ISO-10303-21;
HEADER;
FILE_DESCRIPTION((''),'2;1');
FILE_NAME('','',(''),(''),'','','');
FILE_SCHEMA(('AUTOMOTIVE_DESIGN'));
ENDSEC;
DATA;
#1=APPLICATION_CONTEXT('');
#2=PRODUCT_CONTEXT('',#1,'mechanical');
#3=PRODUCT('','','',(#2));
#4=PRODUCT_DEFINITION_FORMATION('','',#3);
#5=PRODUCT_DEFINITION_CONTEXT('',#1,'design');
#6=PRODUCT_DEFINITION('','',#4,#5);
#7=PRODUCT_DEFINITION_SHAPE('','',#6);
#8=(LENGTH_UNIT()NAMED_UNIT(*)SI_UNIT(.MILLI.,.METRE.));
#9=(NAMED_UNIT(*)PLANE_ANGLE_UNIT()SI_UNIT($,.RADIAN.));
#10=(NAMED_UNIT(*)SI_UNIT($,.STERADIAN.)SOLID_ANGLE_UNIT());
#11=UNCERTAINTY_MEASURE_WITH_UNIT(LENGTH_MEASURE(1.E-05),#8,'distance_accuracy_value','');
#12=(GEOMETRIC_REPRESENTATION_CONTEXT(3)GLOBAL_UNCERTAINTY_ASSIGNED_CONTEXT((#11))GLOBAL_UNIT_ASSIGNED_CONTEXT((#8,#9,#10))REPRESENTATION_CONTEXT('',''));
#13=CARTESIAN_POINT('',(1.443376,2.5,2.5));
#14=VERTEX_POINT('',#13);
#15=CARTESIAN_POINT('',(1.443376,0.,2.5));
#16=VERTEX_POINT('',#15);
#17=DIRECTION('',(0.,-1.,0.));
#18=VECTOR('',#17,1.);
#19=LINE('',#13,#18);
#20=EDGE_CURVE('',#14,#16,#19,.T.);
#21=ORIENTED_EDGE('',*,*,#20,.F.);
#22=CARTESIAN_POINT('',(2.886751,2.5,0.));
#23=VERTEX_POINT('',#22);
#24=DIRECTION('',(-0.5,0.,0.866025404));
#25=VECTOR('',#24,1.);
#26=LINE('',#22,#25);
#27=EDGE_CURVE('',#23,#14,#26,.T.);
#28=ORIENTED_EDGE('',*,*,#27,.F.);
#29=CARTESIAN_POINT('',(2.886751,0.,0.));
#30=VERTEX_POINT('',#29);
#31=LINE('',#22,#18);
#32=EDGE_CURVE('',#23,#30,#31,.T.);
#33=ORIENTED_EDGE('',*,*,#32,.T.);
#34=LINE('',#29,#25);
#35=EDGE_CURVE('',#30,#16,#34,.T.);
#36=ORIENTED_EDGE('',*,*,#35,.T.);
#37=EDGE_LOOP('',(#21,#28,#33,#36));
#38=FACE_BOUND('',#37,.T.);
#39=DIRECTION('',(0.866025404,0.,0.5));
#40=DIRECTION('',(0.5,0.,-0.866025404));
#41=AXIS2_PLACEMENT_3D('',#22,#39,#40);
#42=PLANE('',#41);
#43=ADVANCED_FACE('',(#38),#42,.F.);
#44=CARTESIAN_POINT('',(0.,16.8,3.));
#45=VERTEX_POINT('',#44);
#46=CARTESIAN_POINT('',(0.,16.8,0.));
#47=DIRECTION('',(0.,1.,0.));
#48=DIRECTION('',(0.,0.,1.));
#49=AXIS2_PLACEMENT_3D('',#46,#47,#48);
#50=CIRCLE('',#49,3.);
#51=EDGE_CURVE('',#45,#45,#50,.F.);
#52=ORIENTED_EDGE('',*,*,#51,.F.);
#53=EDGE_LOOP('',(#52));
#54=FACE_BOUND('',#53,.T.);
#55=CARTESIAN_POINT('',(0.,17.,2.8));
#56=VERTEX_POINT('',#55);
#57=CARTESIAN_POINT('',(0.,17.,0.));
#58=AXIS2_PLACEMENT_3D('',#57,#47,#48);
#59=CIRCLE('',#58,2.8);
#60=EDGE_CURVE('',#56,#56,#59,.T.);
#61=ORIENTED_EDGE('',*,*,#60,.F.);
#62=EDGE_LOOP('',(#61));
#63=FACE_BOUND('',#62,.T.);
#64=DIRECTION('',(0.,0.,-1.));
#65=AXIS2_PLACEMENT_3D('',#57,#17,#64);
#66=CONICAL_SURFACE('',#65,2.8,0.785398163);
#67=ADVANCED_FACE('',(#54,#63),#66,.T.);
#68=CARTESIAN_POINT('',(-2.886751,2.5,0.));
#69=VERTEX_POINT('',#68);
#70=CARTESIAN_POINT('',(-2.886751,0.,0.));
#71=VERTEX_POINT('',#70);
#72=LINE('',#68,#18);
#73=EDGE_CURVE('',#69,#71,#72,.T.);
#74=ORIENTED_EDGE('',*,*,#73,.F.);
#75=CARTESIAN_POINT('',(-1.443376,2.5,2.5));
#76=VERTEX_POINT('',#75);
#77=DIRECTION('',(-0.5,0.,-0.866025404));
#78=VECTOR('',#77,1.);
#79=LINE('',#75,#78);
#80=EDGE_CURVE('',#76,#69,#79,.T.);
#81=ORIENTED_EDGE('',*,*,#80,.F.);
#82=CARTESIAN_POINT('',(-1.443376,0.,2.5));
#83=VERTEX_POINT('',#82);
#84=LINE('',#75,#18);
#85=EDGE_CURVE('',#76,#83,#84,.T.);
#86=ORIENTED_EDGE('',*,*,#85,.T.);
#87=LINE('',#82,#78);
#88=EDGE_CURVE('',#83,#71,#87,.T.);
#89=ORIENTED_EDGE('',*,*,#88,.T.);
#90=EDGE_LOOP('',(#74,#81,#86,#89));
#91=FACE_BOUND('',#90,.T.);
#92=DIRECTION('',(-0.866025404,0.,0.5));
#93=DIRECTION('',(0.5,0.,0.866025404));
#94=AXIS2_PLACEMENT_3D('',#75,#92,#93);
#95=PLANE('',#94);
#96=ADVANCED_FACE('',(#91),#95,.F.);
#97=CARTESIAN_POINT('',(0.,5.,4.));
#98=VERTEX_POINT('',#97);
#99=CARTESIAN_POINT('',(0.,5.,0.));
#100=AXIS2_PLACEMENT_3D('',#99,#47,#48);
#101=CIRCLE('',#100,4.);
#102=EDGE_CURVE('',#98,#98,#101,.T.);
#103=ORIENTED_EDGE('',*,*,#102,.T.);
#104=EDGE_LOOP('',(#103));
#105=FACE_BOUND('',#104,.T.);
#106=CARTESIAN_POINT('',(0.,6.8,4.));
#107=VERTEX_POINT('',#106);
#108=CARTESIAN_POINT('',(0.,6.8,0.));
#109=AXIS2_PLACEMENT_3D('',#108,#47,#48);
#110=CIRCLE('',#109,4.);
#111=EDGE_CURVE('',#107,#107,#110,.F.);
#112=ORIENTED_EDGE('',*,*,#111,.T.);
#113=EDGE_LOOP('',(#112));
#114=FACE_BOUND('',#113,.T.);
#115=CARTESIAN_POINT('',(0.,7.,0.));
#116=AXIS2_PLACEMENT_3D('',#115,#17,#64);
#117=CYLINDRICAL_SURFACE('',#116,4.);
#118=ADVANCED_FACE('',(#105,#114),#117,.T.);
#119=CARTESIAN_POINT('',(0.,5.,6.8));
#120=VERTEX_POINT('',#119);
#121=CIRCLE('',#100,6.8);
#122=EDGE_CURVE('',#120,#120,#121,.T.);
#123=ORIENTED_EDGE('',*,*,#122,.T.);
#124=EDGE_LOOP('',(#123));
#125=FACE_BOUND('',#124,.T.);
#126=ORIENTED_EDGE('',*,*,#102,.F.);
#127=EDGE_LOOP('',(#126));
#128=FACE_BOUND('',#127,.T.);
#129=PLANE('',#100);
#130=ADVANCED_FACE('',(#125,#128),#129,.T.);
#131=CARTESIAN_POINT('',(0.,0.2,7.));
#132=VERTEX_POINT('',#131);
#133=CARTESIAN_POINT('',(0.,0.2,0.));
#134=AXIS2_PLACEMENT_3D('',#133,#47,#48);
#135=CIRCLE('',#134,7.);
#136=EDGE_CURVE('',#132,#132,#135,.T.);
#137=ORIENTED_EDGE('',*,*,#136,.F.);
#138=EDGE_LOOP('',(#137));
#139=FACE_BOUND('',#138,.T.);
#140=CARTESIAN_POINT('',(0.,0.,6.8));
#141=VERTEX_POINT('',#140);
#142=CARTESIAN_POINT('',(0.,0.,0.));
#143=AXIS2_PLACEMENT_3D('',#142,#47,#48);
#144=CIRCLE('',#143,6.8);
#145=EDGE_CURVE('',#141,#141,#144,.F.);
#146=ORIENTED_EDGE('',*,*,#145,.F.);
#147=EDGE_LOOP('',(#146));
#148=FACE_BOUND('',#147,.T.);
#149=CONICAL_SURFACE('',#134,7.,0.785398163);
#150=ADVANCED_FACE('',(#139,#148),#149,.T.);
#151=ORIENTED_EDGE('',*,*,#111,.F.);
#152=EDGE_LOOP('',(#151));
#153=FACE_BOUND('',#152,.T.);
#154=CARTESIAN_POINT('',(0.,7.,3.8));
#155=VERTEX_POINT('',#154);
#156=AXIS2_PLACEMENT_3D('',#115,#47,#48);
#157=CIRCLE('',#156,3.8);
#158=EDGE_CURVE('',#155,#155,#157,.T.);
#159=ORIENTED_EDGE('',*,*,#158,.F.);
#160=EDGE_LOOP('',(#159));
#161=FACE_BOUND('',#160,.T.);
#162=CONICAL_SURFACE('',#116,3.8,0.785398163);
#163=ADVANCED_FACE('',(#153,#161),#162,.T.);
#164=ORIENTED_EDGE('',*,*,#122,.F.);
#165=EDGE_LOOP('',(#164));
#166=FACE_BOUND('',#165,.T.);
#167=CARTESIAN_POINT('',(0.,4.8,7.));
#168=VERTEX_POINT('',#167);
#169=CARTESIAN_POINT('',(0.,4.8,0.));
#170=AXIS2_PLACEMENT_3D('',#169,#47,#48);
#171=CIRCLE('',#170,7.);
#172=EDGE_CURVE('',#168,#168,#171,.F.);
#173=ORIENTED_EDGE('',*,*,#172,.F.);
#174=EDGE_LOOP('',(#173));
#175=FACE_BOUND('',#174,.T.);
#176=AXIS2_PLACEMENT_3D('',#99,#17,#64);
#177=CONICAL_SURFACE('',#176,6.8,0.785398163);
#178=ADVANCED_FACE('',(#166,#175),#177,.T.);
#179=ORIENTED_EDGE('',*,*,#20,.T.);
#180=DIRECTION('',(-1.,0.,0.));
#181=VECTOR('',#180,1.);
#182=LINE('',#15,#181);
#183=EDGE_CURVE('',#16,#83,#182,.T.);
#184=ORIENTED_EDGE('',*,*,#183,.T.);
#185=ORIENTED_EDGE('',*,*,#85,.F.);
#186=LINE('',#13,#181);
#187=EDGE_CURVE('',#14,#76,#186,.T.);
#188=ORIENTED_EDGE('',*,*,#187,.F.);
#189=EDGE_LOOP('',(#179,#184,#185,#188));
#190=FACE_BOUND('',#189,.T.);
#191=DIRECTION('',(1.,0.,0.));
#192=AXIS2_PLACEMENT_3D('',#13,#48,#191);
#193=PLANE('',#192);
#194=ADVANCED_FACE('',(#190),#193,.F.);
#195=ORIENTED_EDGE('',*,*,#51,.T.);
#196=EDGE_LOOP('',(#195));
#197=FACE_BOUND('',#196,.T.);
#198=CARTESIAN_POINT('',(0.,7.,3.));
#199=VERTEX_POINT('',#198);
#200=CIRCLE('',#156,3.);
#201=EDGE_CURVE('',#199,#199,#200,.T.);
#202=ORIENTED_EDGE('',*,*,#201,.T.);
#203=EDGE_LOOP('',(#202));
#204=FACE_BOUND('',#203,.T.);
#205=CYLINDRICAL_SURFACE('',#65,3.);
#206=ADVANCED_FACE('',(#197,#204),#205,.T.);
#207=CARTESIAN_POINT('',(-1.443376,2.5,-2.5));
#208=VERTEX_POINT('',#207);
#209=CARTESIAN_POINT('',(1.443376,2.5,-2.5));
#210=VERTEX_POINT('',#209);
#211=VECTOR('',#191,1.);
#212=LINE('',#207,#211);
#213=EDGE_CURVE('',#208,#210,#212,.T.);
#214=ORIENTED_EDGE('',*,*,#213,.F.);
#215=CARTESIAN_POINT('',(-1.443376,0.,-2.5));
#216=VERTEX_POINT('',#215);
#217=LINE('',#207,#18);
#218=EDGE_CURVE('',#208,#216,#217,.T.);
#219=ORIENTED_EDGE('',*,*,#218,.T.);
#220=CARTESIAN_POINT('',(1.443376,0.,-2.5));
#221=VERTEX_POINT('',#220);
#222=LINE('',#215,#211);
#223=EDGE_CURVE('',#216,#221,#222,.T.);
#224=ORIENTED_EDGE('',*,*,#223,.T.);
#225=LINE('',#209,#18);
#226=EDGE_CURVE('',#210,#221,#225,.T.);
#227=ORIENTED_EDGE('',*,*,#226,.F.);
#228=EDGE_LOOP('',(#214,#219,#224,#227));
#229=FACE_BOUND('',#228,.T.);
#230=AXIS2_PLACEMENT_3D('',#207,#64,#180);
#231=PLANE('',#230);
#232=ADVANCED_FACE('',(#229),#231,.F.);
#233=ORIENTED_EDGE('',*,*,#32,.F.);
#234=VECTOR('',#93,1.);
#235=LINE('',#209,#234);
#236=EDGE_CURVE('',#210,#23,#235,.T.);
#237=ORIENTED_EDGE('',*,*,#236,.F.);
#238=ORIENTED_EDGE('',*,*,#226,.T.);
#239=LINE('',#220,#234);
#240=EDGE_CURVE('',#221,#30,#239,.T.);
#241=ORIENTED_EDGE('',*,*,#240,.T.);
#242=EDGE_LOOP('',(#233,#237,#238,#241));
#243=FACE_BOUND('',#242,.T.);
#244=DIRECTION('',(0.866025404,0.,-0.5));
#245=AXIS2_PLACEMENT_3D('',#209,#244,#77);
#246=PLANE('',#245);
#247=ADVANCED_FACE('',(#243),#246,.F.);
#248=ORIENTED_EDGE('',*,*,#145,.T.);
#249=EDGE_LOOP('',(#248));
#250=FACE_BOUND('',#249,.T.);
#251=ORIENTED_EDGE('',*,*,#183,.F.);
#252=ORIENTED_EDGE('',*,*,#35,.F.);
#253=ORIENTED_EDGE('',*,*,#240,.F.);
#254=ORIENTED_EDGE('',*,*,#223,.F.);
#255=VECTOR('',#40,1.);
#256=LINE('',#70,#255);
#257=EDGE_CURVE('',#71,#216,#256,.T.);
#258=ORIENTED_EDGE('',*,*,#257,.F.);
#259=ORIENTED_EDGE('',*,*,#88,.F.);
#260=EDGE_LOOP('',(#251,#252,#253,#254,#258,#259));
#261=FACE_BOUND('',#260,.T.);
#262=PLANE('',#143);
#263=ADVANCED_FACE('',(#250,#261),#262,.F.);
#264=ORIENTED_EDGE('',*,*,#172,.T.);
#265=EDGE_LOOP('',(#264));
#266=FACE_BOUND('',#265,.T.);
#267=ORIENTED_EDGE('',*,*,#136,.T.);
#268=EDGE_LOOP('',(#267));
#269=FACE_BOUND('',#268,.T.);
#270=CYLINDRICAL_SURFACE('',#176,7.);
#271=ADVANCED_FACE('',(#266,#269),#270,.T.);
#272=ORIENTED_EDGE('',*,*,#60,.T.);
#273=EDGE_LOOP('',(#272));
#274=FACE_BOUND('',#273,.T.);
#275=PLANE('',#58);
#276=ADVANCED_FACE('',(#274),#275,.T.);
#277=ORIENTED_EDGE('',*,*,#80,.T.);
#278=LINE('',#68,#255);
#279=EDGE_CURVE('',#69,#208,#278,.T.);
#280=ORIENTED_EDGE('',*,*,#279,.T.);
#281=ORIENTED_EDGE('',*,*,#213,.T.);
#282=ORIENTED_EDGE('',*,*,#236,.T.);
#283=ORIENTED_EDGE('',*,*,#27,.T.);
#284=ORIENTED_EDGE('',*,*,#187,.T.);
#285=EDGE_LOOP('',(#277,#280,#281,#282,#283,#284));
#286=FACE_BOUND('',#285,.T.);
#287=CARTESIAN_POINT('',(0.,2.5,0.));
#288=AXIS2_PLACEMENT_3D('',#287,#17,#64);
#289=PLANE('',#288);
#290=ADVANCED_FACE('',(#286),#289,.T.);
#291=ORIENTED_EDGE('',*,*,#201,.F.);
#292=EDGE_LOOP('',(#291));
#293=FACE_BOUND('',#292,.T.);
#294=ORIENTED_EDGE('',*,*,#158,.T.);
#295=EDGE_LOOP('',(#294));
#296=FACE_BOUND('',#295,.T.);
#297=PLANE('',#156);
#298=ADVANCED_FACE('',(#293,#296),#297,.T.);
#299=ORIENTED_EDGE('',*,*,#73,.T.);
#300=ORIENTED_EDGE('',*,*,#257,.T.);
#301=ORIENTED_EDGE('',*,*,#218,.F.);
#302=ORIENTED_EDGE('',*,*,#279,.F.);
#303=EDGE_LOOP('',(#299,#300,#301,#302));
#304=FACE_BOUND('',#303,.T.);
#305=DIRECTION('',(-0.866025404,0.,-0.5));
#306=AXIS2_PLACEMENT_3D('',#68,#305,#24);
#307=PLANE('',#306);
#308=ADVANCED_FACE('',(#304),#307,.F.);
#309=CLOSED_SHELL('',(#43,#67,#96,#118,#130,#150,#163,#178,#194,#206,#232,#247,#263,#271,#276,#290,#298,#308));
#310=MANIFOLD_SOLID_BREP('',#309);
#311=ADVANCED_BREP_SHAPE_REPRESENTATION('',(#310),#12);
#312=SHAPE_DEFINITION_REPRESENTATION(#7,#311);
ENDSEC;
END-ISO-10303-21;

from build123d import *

# Parameters (mm, degrees)
SKETCH_1_R          = 7
EXTRUDE_1_DEPTH     = 5
SKETCH_2_R          = 4
EXTRUDE_2_DEPTH     = 2
SKETCH_3_R          = 3
EXTRUDE_3_DEPTH     = 10
CHAMFER_1_SIZE      = 0.2
CUT_EXTRUDE_1_DEPTH = 2.5


with BuildPart() as part:
    # 草图1 → 凸台-拉伸1 (new body)
    with BuildSketch(Plane(origin=(0, 0, 0), x_dir=(1, 0, 0), z_dir=(0, 1, 0))):
        with Locations(Location((0, 0, 0), (0, 0, 270))):
            Circle(SKETCH_1_R)
    extrude(amount=EXTRUDE_1_DEPTH)

    # 草图2 → 凸台-拉伸2 (add)
    with BuildSketch(Plane(origin=(0, 5, 0), x_dir=(1, 0, 0), z_dir=(0, 1, 0))):
        with Locations(Location((0, 0, 0), (0, 0, 270))):
            Circle(SKETCH_2_R)
    extrude(amount=EXTRUDE_2_DEPTH)

    # 草图3 → 凸台-拉伸3 (add)
    with BuildSketch(Plane(origin=(0, 7, 0), x_dir=(1, 0, 0), z_dir=(0, 1, 0))):
        with Locations(Location((0, 0, 0), (0, 0, 270))):
            Circle(SKETCH_3_R)
    extrude(amount=EXTRUDE_3_DEPTH)

    # 倒角1
    chamfer_1_edges = [part.edges().sort_by_distance(p)[0] for p in [
        (0, 17, -3),
        (0, 0, -7),
        (0, 5, -7),
        (0, 7, -4),
    ]]
    chamfer(chamfer_1_edges, length=CHAMFER_1_SIZE)

    # 草图4 → 切除-拉伸1 (cut)
    with BuildSketch(Plane.XZ):
        Polygon((2.886751346, 0), (1.443375673, 2.5), (-1.443375673, 2.5), (-2.886751346, 0), (-1.443375673, -2.5), (1.443375673, -2.5), align=None)
    extrude(amount=-CUT_EXTRUDE_1_DEPTH, mode=Mode.SUBTRACT)


solid = part.part
